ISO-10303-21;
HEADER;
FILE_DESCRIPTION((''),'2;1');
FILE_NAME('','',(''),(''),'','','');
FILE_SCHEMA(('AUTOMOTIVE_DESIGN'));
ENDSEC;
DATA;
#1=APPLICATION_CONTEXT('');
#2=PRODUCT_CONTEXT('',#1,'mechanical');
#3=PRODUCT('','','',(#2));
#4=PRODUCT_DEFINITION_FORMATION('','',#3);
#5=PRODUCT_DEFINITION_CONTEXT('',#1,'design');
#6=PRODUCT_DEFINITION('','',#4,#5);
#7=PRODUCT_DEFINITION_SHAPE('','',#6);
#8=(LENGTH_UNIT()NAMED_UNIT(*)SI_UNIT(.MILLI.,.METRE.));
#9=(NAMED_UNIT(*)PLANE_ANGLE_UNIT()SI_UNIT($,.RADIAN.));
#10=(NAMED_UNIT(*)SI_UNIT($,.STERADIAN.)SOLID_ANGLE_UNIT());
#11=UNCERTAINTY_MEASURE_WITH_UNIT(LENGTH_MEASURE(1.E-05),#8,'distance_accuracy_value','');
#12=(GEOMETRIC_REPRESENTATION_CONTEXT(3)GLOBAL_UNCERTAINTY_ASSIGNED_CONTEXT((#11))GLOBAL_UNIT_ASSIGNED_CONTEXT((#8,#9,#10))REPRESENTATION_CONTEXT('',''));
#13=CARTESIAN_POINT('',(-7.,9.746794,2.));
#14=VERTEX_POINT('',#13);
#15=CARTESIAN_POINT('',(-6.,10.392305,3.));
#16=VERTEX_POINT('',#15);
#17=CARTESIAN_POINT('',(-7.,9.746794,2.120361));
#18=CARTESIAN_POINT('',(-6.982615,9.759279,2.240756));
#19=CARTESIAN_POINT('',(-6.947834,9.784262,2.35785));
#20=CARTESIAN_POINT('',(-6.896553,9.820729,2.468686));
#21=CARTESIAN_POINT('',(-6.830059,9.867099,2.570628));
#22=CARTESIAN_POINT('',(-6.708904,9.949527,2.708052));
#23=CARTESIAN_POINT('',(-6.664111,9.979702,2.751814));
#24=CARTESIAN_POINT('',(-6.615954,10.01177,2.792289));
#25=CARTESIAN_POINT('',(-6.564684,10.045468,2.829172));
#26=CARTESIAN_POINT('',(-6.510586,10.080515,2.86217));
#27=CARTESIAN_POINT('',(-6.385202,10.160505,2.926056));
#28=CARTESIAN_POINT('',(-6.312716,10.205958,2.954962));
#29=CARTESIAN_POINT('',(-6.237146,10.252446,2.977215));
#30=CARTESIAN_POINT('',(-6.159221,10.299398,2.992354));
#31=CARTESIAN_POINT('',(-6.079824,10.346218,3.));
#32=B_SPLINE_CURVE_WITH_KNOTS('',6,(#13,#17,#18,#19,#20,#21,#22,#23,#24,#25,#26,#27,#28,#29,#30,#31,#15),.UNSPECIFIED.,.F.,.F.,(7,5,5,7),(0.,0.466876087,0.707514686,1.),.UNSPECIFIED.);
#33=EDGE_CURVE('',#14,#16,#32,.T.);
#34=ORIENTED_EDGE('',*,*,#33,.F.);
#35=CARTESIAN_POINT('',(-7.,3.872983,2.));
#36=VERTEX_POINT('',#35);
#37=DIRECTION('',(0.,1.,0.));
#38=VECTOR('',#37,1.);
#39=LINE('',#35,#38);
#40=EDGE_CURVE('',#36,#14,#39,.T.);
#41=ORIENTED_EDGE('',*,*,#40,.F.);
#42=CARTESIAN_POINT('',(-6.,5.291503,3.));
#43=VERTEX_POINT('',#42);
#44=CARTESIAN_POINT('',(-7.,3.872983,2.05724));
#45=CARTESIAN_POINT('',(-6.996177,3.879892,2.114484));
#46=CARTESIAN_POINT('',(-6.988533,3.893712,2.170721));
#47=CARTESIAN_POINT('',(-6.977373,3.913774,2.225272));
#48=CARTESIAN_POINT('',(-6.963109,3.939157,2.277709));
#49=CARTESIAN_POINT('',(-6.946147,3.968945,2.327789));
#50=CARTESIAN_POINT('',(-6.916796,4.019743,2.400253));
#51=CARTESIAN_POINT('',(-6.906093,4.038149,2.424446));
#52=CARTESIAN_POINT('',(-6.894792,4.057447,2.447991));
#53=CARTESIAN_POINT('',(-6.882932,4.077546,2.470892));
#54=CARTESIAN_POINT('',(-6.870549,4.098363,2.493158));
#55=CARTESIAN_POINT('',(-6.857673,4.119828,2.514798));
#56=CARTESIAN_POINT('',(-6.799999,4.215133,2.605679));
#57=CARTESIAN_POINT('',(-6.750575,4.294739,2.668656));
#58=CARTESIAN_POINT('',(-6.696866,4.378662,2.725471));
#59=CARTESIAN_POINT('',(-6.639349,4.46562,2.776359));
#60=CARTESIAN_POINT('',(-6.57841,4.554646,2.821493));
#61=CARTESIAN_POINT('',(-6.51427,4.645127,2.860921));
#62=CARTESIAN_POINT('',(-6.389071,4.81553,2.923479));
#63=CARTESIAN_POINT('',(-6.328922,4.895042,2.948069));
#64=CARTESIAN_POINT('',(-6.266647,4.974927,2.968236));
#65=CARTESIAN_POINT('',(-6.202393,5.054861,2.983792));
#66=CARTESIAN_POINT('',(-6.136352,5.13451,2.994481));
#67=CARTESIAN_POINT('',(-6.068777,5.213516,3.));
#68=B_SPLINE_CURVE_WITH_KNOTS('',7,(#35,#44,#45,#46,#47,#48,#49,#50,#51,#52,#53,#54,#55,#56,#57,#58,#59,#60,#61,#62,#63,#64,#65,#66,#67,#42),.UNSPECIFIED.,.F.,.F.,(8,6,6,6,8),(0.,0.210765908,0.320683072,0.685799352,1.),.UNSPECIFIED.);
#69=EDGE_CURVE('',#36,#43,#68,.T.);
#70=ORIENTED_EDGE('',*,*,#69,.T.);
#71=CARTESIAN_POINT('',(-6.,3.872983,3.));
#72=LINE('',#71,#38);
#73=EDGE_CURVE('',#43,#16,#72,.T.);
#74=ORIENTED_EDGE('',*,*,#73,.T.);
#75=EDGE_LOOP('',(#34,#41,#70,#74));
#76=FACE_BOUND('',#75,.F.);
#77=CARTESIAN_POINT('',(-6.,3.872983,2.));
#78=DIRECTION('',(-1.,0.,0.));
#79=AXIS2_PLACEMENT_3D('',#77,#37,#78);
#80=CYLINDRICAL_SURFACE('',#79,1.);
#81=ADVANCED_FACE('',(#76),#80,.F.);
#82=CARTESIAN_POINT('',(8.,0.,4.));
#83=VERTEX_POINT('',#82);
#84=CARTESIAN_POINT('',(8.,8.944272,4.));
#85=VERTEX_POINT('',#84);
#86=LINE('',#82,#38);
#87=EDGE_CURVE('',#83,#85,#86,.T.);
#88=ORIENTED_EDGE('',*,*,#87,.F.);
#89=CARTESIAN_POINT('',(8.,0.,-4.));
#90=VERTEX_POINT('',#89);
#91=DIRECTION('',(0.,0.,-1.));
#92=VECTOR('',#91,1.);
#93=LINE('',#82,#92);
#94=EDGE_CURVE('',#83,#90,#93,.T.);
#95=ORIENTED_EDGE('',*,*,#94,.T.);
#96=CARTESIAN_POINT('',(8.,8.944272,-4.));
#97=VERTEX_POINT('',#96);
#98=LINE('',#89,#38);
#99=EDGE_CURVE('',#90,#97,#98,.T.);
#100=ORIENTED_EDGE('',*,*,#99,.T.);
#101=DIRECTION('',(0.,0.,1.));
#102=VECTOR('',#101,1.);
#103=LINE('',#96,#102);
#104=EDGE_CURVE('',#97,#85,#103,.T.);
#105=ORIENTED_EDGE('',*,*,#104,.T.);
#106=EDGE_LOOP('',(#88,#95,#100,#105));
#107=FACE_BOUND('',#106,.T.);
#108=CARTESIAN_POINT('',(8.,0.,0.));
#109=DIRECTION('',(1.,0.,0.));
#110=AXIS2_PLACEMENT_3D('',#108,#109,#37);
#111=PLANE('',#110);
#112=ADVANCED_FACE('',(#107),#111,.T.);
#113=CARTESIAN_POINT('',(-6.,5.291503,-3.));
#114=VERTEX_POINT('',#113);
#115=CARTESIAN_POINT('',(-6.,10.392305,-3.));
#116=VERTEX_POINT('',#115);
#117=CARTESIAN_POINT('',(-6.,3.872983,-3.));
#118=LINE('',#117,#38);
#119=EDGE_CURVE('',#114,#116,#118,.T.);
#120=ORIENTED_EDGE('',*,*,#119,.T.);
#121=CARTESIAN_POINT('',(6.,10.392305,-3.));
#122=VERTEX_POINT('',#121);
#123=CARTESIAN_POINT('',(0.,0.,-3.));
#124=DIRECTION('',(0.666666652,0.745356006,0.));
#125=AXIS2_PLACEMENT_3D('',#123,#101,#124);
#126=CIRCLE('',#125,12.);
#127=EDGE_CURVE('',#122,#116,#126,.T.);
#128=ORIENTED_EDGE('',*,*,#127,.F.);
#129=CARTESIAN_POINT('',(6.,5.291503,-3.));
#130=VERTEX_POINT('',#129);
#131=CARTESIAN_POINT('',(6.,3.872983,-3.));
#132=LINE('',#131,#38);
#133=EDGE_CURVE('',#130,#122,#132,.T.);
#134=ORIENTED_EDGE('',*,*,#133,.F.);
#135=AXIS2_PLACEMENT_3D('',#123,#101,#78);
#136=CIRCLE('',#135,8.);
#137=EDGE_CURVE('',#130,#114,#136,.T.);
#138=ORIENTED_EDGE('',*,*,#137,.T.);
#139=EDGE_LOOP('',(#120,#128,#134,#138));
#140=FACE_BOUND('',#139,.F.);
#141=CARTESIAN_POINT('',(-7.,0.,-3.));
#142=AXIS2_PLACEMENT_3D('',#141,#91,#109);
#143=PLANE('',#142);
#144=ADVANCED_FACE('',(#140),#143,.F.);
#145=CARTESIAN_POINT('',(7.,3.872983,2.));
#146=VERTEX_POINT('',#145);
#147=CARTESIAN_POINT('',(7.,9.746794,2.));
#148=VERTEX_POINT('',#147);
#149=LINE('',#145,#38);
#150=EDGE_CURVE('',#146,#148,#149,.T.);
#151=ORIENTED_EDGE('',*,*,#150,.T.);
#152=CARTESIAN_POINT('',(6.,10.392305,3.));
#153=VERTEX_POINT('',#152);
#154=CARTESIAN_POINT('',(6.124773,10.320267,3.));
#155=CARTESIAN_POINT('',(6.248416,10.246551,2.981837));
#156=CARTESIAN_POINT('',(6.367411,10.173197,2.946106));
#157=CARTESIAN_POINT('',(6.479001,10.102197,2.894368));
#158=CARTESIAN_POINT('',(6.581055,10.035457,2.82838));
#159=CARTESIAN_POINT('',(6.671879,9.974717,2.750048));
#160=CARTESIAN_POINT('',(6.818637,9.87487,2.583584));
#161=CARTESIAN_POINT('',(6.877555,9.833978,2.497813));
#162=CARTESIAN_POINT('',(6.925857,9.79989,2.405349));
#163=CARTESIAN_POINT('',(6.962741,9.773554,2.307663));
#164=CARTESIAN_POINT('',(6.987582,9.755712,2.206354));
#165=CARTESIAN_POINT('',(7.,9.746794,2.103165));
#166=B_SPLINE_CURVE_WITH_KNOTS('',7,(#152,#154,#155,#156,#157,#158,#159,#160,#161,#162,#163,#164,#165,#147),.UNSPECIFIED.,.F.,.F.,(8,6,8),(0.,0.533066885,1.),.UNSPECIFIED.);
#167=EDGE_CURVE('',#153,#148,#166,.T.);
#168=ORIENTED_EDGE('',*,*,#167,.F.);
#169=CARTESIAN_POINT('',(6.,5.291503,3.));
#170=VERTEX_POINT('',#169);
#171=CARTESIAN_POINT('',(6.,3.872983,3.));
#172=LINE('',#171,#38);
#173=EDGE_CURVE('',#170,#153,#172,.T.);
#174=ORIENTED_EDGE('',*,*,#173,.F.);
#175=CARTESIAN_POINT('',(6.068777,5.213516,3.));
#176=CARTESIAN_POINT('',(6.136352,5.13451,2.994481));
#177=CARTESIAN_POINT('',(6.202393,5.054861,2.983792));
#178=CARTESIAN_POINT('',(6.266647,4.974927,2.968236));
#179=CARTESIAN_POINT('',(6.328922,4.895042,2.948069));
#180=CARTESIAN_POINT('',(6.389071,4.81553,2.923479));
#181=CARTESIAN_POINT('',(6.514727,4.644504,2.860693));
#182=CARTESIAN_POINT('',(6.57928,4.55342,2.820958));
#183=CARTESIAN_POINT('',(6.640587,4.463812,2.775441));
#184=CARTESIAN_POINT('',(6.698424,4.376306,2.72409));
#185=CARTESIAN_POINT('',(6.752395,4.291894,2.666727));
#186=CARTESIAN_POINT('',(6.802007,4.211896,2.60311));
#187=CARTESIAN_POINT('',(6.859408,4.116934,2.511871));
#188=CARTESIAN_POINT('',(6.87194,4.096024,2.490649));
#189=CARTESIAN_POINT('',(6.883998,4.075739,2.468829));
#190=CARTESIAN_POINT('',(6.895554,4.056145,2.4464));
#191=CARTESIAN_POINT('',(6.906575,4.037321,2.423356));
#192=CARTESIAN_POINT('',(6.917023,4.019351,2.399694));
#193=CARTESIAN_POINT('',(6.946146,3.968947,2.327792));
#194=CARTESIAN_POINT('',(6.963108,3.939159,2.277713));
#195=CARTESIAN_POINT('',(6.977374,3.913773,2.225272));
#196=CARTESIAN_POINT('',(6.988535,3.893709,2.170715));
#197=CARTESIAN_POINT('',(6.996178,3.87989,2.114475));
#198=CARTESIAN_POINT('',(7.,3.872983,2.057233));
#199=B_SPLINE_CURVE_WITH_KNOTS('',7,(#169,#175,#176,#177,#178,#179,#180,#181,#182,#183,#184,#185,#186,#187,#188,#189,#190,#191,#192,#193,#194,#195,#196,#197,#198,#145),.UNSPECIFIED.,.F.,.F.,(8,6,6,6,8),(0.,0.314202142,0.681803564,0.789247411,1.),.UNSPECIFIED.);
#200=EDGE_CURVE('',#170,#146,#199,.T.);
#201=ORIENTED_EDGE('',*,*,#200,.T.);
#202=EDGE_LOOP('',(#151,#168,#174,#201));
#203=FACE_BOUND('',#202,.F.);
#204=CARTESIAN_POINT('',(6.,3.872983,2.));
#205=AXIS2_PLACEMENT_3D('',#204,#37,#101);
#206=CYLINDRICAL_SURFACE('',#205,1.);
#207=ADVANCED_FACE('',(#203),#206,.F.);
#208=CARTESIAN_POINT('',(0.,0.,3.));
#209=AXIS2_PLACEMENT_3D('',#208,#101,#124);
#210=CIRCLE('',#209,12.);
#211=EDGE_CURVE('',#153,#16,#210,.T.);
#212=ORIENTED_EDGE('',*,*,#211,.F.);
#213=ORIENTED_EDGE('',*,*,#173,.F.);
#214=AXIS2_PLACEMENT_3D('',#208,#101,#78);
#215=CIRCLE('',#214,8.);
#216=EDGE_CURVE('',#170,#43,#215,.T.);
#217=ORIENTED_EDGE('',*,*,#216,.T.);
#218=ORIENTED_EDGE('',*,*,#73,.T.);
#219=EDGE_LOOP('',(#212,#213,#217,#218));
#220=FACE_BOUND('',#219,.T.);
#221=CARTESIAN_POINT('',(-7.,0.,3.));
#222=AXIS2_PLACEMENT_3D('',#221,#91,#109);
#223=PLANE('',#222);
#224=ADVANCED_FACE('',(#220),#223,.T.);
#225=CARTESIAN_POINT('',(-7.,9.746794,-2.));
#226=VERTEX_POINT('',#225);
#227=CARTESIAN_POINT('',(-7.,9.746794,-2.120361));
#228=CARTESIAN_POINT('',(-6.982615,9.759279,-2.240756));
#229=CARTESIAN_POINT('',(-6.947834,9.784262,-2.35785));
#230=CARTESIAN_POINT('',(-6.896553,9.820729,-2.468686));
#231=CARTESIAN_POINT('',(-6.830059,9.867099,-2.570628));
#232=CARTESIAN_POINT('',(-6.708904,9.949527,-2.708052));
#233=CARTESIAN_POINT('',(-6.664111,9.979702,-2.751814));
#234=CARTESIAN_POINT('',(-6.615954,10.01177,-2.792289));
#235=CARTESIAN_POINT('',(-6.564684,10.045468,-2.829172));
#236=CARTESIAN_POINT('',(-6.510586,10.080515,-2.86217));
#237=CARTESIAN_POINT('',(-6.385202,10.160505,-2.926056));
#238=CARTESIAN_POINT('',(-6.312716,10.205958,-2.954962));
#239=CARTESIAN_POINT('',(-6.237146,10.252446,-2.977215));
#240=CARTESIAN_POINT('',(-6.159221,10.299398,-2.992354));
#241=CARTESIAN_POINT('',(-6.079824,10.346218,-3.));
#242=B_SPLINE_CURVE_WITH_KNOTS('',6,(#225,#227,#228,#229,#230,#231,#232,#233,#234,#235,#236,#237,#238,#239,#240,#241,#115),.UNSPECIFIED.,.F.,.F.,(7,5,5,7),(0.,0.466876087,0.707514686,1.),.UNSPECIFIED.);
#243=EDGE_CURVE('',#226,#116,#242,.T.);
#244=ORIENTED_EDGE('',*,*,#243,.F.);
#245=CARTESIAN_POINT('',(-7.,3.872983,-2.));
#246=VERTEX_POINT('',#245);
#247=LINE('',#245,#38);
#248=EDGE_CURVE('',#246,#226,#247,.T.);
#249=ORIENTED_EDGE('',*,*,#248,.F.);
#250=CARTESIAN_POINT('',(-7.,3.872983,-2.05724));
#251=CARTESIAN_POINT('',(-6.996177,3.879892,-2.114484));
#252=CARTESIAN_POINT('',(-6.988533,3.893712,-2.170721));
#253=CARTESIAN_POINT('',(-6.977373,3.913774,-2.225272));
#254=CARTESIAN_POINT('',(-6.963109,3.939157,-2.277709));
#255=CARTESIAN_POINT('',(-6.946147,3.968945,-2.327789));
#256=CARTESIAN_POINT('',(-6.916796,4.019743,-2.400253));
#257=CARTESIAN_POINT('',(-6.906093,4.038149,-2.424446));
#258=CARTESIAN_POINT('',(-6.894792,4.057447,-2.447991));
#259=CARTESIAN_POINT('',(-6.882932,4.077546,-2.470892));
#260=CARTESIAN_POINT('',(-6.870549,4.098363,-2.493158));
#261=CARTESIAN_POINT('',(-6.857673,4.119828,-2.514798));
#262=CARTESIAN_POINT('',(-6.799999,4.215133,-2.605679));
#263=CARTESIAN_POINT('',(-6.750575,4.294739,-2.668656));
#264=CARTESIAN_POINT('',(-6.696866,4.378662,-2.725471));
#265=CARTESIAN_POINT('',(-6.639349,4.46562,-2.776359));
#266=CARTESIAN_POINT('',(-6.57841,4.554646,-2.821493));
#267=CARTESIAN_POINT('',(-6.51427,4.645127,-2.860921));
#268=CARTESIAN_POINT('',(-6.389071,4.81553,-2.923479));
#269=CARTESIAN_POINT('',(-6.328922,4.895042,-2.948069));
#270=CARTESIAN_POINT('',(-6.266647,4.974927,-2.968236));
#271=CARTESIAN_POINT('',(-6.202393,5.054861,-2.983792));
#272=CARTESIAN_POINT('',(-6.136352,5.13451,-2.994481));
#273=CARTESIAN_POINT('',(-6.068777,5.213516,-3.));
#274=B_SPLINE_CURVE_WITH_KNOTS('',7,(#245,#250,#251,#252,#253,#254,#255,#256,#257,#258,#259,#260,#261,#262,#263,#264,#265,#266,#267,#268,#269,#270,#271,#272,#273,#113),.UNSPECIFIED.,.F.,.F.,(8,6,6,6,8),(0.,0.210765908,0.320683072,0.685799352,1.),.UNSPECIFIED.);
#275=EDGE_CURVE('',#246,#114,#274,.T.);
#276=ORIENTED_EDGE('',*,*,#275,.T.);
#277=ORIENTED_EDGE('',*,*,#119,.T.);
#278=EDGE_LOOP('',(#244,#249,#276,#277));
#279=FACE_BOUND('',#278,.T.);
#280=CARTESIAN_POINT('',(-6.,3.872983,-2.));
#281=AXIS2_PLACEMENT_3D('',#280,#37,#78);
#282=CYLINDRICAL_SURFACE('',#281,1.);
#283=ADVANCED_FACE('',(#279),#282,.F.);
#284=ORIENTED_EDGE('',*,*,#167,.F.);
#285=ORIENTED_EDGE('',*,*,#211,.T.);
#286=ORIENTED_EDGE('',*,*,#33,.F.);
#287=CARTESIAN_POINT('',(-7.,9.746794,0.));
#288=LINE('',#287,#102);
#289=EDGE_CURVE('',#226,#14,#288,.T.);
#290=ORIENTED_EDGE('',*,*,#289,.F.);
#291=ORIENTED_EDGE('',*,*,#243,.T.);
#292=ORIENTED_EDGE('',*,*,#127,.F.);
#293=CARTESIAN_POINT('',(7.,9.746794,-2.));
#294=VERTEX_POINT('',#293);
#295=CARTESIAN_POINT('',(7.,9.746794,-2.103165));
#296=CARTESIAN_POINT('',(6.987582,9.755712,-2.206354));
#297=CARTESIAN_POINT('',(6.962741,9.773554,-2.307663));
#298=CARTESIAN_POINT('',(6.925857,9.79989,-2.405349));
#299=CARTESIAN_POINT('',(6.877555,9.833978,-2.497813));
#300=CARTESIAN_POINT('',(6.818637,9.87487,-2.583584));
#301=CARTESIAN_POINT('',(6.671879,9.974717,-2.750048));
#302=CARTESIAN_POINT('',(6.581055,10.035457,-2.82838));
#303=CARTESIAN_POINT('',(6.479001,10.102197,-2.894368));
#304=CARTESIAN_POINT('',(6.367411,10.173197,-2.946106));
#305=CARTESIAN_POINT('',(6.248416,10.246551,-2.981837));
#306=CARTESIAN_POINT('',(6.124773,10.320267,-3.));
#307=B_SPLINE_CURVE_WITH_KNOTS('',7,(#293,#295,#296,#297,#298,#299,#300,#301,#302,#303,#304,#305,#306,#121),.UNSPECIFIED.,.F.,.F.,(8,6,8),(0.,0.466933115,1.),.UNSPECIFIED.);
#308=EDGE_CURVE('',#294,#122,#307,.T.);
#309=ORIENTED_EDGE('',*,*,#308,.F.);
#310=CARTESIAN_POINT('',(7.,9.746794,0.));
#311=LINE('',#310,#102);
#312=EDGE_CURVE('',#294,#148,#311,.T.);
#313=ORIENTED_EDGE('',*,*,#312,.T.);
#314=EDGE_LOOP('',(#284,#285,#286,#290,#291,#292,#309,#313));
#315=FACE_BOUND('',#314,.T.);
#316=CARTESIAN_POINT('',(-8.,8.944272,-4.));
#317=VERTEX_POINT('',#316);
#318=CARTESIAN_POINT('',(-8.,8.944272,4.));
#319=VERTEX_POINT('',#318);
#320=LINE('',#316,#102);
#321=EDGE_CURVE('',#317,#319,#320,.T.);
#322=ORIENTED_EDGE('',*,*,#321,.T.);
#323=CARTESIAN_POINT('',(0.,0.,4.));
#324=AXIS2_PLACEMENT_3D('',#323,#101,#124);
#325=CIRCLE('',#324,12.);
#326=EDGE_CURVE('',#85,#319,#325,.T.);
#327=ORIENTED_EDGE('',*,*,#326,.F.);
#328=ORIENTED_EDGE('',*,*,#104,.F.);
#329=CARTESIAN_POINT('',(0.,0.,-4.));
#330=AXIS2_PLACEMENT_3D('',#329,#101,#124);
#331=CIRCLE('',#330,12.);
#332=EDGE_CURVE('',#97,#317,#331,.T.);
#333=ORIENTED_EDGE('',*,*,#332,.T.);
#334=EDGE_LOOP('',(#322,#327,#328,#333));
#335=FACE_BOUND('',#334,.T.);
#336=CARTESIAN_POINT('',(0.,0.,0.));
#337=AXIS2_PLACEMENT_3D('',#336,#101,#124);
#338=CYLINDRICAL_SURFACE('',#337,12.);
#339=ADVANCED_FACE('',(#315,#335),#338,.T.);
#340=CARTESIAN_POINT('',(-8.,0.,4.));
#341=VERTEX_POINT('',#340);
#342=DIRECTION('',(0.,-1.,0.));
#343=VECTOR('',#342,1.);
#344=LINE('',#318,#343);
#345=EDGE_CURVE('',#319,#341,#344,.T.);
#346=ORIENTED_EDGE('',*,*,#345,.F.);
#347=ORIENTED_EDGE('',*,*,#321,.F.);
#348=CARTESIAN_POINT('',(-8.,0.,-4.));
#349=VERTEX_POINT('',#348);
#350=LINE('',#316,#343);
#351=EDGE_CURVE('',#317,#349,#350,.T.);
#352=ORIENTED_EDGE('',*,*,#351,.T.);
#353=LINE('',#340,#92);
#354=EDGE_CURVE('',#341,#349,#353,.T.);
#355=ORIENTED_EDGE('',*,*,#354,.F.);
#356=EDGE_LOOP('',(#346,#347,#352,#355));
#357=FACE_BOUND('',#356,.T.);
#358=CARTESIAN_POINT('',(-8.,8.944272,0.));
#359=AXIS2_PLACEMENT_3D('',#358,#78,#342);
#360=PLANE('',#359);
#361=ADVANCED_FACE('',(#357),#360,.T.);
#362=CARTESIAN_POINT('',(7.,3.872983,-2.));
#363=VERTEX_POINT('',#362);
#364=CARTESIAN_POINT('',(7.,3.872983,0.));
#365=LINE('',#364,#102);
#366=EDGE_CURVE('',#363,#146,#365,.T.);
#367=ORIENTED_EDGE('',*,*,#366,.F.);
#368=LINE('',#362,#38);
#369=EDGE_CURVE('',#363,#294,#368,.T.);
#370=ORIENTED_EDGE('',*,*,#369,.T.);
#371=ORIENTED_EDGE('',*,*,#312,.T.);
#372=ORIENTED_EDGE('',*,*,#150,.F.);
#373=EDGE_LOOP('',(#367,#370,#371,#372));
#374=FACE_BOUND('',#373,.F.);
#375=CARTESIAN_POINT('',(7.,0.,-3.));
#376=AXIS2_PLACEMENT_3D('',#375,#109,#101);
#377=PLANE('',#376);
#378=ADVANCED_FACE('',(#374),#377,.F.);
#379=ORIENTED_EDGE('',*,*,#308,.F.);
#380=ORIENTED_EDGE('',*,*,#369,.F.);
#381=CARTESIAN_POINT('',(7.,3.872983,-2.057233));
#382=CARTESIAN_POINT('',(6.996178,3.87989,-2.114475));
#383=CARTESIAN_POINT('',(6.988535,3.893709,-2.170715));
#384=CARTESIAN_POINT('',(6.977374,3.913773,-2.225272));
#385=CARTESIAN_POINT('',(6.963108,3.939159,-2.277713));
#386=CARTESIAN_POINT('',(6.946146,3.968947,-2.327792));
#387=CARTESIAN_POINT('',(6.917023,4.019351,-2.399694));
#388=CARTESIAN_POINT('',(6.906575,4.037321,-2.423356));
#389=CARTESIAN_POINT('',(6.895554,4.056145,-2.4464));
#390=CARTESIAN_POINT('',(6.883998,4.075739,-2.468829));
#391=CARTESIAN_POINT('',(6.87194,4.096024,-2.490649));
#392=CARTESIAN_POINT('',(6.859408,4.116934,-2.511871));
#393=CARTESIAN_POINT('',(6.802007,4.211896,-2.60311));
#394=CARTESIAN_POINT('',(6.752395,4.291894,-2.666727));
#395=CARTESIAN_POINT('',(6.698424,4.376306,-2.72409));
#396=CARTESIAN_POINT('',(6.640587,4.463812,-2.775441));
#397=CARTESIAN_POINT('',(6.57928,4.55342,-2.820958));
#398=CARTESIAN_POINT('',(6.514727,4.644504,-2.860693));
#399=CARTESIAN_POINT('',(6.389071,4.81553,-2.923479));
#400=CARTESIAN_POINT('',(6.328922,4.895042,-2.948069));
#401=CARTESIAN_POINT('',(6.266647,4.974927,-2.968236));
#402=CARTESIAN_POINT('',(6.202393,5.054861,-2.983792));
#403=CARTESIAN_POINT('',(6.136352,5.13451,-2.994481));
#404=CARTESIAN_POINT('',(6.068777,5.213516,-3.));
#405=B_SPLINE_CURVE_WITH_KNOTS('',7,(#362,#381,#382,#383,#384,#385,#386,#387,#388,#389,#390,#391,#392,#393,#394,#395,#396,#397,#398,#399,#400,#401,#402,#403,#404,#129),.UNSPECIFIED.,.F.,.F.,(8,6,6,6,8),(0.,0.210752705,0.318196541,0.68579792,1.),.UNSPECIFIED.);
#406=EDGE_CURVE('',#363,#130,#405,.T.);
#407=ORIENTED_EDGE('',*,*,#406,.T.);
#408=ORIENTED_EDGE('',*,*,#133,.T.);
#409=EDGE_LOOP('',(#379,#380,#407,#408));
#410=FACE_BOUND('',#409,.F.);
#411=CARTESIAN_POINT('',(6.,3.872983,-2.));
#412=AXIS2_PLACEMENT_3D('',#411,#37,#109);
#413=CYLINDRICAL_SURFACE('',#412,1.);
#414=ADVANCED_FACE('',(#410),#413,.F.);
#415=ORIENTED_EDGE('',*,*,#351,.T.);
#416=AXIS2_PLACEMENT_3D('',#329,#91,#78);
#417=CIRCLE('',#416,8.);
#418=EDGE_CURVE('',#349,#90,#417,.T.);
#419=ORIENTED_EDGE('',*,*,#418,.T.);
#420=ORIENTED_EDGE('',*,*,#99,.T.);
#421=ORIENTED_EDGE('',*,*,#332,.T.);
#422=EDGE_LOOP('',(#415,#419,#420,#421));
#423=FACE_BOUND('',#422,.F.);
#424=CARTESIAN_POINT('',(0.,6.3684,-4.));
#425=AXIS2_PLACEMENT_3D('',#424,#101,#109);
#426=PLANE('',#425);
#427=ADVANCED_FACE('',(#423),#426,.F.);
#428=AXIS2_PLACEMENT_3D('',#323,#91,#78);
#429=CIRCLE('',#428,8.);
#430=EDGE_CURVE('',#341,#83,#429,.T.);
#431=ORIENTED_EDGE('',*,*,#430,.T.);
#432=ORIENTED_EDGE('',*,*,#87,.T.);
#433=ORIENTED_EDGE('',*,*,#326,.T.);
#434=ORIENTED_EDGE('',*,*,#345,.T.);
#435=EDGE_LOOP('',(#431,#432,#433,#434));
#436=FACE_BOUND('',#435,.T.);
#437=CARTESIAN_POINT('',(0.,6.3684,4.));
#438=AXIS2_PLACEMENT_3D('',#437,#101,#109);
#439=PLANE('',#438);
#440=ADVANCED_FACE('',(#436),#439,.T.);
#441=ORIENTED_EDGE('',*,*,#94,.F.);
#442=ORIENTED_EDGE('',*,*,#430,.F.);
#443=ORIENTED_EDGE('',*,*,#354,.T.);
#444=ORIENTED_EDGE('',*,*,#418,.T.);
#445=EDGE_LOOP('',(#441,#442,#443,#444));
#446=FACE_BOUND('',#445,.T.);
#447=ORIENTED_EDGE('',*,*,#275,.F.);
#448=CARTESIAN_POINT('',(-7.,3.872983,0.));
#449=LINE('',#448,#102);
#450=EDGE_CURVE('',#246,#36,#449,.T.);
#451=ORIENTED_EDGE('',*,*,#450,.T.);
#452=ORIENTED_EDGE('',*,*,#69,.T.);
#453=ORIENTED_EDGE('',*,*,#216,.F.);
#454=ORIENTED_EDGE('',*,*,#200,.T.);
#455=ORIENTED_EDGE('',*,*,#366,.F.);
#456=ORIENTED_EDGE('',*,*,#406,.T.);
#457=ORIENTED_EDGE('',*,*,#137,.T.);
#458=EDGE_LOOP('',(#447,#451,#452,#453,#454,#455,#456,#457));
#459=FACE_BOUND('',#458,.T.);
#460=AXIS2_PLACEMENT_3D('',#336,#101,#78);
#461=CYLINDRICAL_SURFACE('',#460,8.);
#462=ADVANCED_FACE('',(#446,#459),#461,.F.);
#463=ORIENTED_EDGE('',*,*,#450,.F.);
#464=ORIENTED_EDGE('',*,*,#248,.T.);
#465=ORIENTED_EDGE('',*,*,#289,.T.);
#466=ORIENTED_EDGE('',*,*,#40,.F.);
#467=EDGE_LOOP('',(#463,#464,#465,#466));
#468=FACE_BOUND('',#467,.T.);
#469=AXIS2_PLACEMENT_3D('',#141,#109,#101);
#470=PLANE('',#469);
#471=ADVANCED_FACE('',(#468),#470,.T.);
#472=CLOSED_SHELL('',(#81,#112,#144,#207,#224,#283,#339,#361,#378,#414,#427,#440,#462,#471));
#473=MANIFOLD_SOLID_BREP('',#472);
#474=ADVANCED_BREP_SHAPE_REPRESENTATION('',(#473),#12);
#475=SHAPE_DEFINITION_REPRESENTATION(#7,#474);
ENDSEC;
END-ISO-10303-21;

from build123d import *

# Parameters (mm, degrees)
F1_DEPTH      = 4
F1_DEPTH_BACK = 4
F2_W          = 14
F2_H          = 6
F3_DEPTH      = 25
F4_R          = 1


with BuildPart() as f1:
    # F0 (on Top) → F1 (new body, two sides)
    with BuildSketch(Plane.XY) as f1_sk:
        with BuildLine():
            Line((8, 0), (8, 8.944272))
            ThreePointArc((8, 8.944272), (0, 12), (-8, 8.944272))
            Line((-8, 8.944272), (-8, 0))
            ThreePointArc((-8, 0), (0, 8), (8, 0))
        make_face()
    extrude(amount=F1_DEPTH)
    extrude(f1_sk.sketch, amount=-F1_DEPTH_BACK)

    # F2 (on Front) → F3 (cut)
    with BuildSketch(Plane.XZ):
        Rectangle(F2_W, F2_H)
    extrude(amount=-F3_DEPTH, mode=Mode.SUBTRACT)

    # F4
    f4_edges = [f1.edges().sort_by_distance(p)[0] for p in [
        (-7, 6.809889, 3),
        (-7, 6.809889, -3),
        (7, 6.809889, -3),
        (7, 6.809889, 3),
    ]]
    fillet(f4_edges, radius=F4_R)


solid = f1.part
